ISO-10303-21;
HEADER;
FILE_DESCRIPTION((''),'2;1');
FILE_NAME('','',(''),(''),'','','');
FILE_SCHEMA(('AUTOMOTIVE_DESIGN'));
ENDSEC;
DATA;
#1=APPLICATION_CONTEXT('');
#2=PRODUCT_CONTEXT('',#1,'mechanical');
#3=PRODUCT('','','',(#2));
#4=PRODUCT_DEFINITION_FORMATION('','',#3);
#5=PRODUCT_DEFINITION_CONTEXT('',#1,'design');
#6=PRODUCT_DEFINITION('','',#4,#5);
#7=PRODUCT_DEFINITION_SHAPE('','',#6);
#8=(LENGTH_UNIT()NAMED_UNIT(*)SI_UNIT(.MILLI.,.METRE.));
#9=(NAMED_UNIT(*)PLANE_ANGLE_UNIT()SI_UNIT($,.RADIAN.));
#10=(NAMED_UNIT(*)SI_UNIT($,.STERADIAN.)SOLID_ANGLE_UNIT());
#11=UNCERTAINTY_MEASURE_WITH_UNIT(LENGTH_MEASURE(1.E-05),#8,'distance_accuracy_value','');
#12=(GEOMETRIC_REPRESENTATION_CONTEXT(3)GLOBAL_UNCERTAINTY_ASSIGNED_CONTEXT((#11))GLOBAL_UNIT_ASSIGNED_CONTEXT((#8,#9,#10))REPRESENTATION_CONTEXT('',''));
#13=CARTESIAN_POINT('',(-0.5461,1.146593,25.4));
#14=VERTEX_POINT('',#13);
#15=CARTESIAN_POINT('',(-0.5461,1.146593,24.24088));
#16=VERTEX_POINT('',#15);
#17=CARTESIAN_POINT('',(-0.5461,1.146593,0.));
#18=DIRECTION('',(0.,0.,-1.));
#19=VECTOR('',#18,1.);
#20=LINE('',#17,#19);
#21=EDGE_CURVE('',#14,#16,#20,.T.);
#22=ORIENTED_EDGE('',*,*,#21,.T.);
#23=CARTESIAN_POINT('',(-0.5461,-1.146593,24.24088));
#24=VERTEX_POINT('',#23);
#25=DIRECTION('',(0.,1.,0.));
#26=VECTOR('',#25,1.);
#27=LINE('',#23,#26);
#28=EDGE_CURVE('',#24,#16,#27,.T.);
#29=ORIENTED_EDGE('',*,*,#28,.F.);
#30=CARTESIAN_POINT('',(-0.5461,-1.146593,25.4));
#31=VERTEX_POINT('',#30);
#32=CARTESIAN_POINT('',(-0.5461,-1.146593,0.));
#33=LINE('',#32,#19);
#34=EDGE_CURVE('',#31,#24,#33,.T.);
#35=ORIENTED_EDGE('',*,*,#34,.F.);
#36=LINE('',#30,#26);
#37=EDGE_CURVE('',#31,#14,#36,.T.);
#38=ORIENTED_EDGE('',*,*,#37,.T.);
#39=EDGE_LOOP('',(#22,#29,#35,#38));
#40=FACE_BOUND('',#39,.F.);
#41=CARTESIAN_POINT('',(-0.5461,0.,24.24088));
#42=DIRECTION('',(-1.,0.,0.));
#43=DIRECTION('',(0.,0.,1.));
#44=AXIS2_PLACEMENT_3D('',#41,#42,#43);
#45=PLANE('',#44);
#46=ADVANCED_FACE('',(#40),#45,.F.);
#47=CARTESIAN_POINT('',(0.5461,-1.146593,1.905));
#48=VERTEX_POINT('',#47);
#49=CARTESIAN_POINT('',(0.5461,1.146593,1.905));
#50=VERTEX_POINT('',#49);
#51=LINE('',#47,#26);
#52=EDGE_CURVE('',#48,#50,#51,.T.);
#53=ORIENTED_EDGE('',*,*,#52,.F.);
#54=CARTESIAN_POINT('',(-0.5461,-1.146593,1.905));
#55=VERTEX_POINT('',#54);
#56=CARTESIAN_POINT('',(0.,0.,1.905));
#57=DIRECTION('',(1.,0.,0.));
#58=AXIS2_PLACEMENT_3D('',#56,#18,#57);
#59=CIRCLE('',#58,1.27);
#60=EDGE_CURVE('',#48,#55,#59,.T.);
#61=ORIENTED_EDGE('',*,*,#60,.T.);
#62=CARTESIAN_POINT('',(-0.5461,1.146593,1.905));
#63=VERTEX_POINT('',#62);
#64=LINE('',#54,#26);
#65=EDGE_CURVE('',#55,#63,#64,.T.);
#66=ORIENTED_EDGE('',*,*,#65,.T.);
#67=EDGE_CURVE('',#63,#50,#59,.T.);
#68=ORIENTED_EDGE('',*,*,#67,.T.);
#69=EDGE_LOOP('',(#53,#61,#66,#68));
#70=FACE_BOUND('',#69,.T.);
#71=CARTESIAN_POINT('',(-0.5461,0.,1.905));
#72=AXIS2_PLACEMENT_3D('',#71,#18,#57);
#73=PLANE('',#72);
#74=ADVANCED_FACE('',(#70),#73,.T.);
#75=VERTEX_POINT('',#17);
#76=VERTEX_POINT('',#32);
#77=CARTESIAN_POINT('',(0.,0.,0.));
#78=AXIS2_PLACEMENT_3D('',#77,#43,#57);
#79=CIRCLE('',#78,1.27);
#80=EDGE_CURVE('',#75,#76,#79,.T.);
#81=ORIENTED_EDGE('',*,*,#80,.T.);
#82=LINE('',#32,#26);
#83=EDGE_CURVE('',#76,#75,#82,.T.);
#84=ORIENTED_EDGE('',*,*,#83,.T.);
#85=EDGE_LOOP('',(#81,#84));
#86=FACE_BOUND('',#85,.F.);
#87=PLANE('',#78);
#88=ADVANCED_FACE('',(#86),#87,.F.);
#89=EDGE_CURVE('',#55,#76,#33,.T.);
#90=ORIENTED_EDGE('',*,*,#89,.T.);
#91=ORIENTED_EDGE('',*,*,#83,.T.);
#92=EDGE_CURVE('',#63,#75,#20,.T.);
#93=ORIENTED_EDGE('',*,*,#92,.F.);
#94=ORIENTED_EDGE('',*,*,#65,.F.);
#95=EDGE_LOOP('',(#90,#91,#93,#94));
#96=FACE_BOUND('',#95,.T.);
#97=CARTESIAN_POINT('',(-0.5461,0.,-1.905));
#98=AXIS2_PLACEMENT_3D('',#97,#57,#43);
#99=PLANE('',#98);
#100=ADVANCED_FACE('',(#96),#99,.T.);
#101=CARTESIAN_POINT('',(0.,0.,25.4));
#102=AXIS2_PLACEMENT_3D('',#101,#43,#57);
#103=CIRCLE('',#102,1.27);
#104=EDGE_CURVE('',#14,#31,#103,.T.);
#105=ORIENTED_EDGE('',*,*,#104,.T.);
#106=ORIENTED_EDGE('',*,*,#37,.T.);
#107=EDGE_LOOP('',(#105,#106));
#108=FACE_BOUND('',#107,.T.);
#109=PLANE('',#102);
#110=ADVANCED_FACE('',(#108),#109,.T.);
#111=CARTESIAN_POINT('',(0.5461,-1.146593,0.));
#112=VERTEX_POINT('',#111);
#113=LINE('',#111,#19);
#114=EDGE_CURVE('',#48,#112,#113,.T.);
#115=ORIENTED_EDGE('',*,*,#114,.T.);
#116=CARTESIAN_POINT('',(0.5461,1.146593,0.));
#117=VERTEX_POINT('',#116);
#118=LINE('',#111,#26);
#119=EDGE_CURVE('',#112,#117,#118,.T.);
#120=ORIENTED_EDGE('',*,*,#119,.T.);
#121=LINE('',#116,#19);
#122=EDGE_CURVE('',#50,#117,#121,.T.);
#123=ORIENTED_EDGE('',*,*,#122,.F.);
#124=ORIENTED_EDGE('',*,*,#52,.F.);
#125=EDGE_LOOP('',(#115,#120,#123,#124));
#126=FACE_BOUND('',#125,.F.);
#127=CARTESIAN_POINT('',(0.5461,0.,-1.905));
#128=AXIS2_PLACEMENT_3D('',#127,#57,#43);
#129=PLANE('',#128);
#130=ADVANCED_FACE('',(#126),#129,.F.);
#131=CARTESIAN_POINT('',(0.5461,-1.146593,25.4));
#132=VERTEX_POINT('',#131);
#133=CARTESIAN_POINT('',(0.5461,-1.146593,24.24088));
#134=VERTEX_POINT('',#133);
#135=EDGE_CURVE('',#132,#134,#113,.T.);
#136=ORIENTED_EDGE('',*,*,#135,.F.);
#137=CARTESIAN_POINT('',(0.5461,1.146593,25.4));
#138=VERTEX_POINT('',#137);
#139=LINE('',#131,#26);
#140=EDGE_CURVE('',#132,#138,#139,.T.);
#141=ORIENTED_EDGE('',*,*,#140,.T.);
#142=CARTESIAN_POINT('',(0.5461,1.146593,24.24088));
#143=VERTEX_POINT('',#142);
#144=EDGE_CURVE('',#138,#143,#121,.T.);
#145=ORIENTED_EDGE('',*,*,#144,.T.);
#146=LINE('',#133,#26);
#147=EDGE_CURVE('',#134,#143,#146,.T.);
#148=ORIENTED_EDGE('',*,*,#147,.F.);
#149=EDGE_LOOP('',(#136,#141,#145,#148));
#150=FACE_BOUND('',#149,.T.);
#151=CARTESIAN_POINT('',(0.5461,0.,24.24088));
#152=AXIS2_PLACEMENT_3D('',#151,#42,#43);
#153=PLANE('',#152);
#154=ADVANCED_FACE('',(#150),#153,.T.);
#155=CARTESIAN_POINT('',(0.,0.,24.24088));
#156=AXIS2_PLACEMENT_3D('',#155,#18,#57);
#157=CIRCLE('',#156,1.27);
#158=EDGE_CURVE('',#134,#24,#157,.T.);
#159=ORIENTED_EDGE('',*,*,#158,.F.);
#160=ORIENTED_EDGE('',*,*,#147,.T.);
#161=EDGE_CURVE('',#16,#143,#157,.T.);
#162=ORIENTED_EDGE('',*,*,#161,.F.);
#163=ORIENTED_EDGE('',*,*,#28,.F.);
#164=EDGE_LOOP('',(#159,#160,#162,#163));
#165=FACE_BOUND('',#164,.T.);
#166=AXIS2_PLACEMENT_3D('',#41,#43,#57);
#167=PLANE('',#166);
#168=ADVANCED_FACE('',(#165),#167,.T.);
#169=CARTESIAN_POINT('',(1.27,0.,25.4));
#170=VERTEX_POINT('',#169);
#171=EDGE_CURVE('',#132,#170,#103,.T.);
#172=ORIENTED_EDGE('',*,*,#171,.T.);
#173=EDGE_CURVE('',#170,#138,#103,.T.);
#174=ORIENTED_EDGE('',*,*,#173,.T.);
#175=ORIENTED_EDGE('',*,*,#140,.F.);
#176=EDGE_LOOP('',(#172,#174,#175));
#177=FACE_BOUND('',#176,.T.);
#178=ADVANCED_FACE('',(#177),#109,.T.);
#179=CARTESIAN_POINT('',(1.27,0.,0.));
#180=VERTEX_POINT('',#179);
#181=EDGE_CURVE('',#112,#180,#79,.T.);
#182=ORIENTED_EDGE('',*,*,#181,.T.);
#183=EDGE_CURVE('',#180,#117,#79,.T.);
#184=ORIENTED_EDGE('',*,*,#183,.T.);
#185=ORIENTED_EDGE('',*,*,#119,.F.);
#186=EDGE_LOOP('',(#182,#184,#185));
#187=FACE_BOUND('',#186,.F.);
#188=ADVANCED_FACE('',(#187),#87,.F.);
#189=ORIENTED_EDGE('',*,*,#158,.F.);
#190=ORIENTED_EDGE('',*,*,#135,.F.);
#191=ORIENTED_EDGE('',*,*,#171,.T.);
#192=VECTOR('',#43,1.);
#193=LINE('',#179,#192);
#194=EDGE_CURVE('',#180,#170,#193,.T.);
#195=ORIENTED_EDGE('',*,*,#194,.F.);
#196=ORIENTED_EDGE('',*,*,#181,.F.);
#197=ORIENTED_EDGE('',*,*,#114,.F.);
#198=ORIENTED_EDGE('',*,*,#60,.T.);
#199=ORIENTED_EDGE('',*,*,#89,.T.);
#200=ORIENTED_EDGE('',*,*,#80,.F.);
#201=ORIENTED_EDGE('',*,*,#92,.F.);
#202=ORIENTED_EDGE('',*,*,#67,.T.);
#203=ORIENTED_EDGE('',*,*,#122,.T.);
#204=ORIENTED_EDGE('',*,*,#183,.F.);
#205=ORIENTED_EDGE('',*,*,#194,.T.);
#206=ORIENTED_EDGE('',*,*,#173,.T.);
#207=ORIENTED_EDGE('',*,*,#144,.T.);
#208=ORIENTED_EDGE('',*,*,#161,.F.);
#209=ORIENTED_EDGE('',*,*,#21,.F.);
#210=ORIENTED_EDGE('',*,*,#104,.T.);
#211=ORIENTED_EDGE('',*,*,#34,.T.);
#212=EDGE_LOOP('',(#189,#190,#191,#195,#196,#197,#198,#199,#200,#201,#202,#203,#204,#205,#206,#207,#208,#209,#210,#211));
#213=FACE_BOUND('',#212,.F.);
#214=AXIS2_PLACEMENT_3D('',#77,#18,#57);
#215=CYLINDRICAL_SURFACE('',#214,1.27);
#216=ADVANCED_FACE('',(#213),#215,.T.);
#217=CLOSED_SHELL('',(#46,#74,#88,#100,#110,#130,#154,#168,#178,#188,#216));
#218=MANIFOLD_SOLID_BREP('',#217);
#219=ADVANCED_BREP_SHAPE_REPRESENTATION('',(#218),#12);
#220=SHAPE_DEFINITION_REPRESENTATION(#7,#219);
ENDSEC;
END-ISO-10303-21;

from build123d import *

# Parameters (mm, degrees)
F0_R     = 1.27
F1_DEPTH = 25.4
F2_W     = 1.0922
F2_H     = 3.81
F3_DEPTH = 9.398
F4_DEPTH = 25.4
F5_W     = 1.0922
F5_H     = 3.81
F6_DEPTH = 25.4
F7_DEPTH = 25.4
F8_DEPTH = 25.4


with BuildPart() as f1:
    # F0 (on Top) → F1 (new body)
    with BuildSketch(Plane.XY):
        Circle(F0_R)
    extrude(amount=F1_DEPTH)

    # F2 (on Front) → F3 (cut)
    with BuildSketch(Plane.XZ):
        with Locations((0, 26.14588)):
            Rectangle(F2_W, F2_H)
    extrude(amount=F3_DEPTH, mode=Mode.SUBTRACT)

    # F2 (on Front) → F4 (cut)
    with BuildSketch(Plane.XZ):
        with Locations((0, 26.14588)):
            Rectangle(F2_W, F2_H)
    extrude(amount=-F4_DEPTH, mode=Mode.SUBTRACT)

    # F5 (on Front) → F6 (cut)
    with BuildSketch(Plane.XZ):
        Rectangle(F5_W, F5_H)
    extrude(amount=-F6_DEPTH, mode=Mode.SUBTRACT)

    # F5 (on Front) → F7 (cut)
    with BuildSketch(Plane.XZ):
        Rectangle(F5_W, F5_H)
    extrude(amount=F7_DEPTH, mode=Mode.SUBTRACT)

    # F2 (on Front) → F8 (cut)
    with BuildSketch(Plane.XZ):
        with Locations((0, 26.14588)):
            Rectangle(F2_W, F2_H)
    extrude(amount=-F8_DEPTH, mode=Mode.SUBTRACT)


solid = f1.part
